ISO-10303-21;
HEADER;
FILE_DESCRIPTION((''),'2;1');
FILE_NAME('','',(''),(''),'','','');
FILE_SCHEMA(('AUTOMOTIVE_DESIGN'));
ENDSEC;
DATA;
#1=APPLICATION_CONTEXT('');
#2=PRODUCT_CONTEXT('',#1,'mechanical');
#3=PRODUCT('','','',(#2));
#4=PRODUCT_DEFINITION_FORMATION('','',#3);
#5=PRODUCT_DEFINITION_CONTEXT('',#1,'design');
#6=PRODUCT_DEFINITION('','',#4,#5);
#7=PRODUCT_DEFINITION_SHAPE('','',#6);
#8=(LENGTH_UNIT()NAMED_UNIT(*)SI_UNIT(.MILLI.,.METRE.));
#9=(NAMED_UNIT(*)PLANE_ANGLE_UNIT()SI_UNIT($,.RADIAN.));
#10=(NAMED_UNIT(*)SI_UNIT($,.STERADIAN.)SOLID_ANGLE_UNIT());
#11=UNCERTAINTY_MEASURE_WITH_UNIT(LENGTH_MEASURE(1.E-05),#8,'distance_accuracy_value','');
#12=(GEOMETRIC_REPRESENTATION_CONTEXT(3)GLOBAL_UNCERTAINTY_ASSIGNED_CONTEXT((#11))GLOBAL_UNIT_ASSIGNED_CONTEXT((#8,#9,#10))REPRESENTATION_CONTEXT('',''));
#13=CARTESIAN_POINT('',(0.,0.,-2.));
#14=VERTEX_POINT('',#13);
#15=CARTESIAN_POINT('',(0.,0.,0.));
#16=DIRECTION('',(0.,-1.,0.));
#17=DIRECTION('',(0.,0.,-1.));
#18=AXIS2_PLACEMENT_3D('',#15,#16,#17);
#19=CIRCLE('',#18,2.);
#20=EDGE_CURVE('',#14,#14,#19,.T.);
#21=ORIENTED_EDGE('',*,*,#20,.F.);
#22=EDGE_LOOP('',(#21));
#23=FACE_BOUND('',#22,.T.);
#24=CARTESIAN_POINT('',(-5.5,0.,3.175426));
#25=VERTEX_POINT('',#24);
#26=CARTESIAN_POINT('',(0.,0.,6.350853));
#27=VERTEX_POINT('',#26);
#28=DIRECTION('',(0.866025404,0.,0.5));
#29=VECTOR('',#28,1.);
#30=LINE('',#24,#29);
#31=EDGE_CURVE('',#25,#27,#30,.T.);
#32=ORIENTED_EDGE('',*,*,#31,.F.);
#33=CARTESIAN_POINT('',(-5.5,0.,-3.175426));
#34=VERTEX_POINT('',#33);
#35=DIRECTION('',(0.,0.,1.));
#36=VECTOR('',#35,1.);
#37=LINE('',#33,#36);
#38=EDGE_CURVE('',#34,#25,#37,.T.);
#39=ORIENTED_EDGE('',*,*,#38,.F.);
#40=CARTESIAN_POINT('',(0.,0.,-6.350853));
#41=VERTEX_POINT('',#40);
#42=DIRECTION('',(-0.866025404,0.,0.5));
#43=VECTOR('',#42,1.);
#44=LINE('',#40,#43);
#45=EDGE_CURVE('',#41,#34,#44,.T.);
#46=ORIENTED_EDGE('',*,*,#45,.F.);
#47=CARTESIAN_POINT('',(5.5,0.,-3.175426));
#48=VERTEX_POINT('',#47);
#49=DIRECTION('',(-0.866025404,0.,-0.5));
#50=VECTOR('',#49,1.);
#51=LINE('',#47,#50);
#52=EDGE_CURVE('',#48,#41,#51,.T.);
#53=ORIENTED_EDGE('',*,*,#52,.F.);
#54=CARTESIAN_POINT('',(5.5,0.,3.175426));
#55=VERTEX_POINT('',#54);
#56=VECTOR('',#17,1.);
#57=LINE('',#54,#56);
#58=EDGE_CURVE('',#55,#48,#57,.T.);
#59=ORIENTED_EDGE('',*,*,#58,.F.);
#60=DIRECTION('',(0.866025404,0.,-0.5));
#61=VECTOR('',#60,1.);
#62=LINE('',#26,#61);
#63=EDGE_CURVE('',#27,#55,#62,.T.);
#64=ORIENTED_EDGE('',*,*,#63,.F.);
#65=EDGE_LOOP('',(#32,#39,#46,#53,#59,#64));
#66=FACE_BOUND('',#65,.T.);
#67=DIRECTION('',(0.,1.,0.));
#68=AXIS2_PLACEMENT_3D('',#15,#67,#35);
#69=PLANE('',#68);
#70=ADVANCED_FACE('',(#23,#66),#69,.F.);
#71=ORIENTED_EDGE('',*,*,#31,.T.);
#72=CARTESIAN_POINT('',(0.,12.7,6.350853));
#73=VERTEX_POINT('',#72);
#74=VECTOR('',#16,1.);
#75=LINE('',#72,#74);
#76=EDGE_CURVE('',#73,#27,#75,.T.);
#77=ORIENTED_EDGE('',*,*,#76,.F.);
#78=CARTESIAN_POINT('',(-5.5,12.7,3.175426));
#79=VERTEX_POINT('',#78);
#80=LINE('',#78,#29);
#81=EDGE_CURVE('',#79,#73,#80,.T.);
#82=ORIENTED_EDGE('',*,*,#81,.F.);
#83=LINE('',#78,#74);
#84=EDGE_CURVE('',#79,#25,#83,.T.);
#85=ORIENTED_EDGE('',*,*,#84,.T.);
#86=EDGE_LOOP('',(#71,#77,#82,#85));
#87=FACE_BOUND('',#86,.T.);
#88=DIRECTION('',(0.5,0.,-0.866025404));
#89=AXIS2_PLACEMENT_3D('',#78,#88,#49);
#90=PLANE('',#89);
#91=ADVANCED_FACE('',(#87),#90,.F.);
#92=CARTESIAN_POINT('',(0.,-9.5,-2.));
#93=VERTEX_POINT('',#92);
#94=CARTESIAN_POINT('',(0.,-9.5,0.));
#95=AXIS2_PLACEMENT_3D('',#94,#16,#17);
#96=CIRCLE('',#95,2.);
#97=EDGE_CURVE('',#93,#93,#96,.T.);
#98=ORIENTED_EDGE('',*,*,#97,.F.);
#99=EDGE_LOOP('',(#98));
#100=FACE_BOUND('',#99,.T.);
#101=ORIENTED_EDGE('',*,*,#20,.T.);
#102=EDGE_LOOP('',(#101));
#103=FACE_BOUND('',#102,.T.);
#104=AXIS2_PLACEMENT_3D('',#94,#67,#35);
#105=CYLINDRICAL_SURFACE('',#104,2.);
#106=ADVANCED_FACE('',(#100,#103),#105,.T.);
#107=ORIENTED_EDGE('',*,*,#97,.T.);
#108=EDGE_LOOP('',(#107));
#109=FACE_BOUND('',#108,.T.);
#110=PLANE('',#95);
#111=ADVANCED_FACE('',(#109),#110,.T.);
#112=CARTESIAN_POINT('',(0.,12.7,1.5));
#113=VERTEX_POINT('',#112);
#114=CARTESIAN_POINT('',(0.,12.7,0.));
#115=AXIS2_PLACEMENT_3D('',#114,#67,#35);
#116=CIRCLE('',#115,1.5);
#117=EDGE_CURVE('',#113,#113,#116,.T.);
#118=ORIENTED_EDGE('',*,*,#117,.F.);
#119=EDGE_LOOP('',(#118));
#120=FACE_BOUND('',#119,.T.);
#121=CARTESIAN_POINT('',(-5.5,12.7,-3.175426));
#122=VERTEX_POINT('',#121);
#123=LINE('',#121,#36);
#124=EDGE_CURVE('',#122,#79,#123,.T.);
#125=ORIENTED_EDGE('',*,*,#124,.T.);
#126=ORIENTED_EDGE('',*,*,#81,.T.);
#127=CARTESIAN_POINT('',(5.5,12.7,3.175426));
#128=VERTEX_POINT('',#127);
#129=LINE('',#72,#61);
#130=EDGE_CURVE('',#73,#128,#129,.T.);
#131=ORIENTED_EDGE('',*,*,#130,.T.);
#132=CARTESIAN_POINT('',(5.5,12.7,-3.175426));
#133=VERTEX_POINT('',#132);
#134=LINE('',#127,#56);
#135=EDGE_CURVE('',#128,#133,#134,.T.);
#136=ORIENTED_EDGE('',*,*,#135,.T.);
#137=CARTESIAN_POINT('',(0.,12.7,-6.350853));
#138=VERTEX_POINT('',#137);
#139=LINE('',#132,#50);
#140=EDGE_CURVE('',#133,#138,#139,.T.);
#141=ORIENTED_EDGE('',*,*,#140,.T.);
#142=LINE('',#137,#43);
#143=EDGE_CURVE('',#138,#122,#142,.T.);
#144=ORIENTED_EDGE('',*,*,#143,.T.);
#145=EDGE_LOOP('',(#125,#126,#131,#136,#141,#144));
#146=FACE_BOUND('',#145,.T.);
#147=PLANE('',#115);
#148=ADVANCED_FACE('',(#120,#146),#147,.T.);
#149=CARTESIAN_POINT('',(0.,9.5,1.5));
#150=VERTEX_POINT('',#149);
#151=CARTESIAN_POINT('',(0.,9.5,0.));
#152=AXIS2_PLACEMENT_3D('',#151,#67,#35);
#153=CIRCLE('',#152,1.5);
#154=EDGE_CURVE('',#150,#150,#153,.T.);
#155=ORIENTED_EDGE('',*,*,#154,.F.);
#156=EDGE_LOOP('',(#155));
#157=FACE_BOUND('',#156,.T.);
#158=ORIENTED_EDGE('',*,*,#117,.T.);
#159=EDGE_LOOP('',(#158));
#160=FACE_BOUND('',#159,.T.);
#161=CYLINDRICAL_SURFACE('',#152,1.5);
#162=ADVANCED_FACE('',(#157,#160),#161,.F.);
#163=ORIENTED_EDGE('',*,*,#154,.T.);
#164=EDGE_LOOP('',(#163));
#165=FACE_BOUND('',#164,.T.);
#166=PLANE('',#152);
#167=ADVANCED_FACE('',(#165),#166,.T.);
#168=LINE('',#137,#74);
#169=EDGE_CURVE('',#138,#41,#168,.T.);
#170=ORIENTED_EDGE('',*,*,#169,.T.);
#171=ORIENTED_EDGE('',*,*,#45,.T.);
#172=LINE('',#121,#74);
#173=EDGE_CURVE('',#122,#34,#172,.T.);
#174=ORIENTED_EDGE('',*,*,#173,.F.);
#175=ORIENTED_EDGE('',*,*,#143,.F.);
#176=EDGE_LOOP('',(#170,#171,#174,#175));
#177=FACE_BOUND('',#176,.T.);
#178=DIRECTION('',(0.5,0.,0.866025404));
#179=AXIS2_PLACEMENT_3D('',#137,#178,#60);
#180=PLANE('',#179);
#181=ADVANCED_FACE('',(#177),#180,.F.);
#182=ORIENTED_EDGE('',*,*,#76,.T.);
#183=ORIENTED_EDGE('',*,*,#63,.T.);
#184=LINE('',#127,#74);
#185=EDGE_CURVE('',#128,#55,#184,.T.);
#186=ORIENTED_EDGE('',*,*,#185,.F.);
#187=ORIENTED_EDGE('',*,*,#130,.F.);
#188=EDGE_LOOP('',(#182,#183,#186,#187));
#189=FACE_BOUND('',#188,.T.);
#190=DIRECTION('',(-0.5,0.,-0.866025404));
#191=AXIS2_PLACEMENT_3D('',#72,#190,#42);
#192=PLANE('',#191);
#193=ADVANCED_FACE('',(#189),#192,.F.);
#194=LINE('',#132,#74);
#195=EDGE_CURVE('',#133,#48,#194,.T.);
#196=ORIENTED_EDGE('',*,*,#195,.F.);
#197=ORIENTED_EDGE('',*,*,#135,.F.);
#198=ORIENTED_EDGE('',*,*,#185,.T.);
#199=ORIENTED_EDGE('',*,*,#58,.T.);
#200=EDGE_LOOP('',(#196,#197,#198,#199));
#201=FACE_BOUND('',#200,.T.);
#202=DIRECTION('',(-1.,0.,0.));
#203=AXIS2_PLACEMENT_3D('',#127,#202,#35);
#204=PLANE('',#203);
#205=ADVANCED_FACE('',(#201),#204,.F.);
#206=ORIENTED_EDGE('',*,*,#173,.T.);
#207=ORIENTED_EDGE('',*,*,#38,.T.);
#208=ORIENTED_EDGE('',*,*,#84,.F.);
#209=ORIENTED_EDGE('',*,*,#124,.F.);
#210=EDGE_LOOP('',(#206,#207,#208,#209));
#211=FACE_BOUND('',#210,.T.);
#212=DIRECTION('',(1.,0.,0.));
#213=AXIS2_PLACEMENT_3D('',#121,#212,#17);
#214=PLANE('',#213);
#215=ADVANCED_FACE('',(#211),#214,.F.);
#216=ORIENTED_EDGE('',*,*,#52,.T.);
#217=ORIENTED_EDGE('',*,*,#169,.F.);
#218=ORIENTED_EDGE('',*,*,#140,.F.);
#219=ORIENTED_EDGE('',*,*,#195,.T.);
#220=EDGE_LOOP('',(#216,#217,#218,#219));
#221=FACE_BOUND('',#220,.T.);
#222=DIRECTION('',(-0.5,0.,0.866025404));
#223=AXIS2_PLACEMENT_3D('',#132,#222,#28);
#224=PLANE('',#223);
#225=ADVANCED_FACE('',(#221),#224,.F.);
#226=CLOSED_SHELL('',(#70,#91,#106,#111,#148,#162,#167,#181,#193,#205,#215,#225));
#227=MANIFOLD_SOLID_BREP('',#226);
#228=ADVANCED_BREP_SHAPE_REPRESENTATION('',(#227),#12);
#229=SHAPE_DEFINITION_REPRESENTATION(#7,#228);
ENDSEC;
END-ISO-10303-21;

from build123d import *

# Parameters (mm, degrees)
BOSS_EXTRUDE1_DEPTH = 12.7
SKETCH2_R           = 1.5
CUT_EXTRUDE1_DEPTH  = 3.2
SKETCH3_R           = 2
BOSS_EXTRUDE2_DEPTH = 9.5


with BuildPart() as part:
    # Sketch1 → Boss-Extrude1 (new body)
    with BuildSketch(Plane(origin=(0, 0, 0), x_dir=(1, 0, 0), z_dir=(0, 1, 0))):
        Polygon((0, 6.350852961), (-5.5, 3.175426481), (-5.5, -3.175426481), (0, -6.350852961), (5.5, -3.175426481), (5.5, 3.175426481), align=None)
    extrude(amount=BOSS_EXTRUDE1_DEPTH)

    # Sketch2 → Cut-Extrude1 (cut)
    with BuildSketch(Plane(origin=(0, 12.7, 0), x_dir=(1, 0, 0), z_dir=(0, 1, 0))):
        with Locations(Location((0, 0, 0), (0, 0, 270))):
            Circle(SKETCH2_R)
    extrude(amount=-CUT_EXTRUDE1_DEPTH, mode=Mode.SUBTRACT)

    # Sketch3 → Boss-Extrude2 (add)
    with BuildSketch(Plane.XZ):
        with Locations(Location((0, 0, 0), (0, 0, 270))):
            Circle(SKETCH3_R)
    extrude(amount=BOSS_EXTRUDE2_DEPTH)


solid = part.part
